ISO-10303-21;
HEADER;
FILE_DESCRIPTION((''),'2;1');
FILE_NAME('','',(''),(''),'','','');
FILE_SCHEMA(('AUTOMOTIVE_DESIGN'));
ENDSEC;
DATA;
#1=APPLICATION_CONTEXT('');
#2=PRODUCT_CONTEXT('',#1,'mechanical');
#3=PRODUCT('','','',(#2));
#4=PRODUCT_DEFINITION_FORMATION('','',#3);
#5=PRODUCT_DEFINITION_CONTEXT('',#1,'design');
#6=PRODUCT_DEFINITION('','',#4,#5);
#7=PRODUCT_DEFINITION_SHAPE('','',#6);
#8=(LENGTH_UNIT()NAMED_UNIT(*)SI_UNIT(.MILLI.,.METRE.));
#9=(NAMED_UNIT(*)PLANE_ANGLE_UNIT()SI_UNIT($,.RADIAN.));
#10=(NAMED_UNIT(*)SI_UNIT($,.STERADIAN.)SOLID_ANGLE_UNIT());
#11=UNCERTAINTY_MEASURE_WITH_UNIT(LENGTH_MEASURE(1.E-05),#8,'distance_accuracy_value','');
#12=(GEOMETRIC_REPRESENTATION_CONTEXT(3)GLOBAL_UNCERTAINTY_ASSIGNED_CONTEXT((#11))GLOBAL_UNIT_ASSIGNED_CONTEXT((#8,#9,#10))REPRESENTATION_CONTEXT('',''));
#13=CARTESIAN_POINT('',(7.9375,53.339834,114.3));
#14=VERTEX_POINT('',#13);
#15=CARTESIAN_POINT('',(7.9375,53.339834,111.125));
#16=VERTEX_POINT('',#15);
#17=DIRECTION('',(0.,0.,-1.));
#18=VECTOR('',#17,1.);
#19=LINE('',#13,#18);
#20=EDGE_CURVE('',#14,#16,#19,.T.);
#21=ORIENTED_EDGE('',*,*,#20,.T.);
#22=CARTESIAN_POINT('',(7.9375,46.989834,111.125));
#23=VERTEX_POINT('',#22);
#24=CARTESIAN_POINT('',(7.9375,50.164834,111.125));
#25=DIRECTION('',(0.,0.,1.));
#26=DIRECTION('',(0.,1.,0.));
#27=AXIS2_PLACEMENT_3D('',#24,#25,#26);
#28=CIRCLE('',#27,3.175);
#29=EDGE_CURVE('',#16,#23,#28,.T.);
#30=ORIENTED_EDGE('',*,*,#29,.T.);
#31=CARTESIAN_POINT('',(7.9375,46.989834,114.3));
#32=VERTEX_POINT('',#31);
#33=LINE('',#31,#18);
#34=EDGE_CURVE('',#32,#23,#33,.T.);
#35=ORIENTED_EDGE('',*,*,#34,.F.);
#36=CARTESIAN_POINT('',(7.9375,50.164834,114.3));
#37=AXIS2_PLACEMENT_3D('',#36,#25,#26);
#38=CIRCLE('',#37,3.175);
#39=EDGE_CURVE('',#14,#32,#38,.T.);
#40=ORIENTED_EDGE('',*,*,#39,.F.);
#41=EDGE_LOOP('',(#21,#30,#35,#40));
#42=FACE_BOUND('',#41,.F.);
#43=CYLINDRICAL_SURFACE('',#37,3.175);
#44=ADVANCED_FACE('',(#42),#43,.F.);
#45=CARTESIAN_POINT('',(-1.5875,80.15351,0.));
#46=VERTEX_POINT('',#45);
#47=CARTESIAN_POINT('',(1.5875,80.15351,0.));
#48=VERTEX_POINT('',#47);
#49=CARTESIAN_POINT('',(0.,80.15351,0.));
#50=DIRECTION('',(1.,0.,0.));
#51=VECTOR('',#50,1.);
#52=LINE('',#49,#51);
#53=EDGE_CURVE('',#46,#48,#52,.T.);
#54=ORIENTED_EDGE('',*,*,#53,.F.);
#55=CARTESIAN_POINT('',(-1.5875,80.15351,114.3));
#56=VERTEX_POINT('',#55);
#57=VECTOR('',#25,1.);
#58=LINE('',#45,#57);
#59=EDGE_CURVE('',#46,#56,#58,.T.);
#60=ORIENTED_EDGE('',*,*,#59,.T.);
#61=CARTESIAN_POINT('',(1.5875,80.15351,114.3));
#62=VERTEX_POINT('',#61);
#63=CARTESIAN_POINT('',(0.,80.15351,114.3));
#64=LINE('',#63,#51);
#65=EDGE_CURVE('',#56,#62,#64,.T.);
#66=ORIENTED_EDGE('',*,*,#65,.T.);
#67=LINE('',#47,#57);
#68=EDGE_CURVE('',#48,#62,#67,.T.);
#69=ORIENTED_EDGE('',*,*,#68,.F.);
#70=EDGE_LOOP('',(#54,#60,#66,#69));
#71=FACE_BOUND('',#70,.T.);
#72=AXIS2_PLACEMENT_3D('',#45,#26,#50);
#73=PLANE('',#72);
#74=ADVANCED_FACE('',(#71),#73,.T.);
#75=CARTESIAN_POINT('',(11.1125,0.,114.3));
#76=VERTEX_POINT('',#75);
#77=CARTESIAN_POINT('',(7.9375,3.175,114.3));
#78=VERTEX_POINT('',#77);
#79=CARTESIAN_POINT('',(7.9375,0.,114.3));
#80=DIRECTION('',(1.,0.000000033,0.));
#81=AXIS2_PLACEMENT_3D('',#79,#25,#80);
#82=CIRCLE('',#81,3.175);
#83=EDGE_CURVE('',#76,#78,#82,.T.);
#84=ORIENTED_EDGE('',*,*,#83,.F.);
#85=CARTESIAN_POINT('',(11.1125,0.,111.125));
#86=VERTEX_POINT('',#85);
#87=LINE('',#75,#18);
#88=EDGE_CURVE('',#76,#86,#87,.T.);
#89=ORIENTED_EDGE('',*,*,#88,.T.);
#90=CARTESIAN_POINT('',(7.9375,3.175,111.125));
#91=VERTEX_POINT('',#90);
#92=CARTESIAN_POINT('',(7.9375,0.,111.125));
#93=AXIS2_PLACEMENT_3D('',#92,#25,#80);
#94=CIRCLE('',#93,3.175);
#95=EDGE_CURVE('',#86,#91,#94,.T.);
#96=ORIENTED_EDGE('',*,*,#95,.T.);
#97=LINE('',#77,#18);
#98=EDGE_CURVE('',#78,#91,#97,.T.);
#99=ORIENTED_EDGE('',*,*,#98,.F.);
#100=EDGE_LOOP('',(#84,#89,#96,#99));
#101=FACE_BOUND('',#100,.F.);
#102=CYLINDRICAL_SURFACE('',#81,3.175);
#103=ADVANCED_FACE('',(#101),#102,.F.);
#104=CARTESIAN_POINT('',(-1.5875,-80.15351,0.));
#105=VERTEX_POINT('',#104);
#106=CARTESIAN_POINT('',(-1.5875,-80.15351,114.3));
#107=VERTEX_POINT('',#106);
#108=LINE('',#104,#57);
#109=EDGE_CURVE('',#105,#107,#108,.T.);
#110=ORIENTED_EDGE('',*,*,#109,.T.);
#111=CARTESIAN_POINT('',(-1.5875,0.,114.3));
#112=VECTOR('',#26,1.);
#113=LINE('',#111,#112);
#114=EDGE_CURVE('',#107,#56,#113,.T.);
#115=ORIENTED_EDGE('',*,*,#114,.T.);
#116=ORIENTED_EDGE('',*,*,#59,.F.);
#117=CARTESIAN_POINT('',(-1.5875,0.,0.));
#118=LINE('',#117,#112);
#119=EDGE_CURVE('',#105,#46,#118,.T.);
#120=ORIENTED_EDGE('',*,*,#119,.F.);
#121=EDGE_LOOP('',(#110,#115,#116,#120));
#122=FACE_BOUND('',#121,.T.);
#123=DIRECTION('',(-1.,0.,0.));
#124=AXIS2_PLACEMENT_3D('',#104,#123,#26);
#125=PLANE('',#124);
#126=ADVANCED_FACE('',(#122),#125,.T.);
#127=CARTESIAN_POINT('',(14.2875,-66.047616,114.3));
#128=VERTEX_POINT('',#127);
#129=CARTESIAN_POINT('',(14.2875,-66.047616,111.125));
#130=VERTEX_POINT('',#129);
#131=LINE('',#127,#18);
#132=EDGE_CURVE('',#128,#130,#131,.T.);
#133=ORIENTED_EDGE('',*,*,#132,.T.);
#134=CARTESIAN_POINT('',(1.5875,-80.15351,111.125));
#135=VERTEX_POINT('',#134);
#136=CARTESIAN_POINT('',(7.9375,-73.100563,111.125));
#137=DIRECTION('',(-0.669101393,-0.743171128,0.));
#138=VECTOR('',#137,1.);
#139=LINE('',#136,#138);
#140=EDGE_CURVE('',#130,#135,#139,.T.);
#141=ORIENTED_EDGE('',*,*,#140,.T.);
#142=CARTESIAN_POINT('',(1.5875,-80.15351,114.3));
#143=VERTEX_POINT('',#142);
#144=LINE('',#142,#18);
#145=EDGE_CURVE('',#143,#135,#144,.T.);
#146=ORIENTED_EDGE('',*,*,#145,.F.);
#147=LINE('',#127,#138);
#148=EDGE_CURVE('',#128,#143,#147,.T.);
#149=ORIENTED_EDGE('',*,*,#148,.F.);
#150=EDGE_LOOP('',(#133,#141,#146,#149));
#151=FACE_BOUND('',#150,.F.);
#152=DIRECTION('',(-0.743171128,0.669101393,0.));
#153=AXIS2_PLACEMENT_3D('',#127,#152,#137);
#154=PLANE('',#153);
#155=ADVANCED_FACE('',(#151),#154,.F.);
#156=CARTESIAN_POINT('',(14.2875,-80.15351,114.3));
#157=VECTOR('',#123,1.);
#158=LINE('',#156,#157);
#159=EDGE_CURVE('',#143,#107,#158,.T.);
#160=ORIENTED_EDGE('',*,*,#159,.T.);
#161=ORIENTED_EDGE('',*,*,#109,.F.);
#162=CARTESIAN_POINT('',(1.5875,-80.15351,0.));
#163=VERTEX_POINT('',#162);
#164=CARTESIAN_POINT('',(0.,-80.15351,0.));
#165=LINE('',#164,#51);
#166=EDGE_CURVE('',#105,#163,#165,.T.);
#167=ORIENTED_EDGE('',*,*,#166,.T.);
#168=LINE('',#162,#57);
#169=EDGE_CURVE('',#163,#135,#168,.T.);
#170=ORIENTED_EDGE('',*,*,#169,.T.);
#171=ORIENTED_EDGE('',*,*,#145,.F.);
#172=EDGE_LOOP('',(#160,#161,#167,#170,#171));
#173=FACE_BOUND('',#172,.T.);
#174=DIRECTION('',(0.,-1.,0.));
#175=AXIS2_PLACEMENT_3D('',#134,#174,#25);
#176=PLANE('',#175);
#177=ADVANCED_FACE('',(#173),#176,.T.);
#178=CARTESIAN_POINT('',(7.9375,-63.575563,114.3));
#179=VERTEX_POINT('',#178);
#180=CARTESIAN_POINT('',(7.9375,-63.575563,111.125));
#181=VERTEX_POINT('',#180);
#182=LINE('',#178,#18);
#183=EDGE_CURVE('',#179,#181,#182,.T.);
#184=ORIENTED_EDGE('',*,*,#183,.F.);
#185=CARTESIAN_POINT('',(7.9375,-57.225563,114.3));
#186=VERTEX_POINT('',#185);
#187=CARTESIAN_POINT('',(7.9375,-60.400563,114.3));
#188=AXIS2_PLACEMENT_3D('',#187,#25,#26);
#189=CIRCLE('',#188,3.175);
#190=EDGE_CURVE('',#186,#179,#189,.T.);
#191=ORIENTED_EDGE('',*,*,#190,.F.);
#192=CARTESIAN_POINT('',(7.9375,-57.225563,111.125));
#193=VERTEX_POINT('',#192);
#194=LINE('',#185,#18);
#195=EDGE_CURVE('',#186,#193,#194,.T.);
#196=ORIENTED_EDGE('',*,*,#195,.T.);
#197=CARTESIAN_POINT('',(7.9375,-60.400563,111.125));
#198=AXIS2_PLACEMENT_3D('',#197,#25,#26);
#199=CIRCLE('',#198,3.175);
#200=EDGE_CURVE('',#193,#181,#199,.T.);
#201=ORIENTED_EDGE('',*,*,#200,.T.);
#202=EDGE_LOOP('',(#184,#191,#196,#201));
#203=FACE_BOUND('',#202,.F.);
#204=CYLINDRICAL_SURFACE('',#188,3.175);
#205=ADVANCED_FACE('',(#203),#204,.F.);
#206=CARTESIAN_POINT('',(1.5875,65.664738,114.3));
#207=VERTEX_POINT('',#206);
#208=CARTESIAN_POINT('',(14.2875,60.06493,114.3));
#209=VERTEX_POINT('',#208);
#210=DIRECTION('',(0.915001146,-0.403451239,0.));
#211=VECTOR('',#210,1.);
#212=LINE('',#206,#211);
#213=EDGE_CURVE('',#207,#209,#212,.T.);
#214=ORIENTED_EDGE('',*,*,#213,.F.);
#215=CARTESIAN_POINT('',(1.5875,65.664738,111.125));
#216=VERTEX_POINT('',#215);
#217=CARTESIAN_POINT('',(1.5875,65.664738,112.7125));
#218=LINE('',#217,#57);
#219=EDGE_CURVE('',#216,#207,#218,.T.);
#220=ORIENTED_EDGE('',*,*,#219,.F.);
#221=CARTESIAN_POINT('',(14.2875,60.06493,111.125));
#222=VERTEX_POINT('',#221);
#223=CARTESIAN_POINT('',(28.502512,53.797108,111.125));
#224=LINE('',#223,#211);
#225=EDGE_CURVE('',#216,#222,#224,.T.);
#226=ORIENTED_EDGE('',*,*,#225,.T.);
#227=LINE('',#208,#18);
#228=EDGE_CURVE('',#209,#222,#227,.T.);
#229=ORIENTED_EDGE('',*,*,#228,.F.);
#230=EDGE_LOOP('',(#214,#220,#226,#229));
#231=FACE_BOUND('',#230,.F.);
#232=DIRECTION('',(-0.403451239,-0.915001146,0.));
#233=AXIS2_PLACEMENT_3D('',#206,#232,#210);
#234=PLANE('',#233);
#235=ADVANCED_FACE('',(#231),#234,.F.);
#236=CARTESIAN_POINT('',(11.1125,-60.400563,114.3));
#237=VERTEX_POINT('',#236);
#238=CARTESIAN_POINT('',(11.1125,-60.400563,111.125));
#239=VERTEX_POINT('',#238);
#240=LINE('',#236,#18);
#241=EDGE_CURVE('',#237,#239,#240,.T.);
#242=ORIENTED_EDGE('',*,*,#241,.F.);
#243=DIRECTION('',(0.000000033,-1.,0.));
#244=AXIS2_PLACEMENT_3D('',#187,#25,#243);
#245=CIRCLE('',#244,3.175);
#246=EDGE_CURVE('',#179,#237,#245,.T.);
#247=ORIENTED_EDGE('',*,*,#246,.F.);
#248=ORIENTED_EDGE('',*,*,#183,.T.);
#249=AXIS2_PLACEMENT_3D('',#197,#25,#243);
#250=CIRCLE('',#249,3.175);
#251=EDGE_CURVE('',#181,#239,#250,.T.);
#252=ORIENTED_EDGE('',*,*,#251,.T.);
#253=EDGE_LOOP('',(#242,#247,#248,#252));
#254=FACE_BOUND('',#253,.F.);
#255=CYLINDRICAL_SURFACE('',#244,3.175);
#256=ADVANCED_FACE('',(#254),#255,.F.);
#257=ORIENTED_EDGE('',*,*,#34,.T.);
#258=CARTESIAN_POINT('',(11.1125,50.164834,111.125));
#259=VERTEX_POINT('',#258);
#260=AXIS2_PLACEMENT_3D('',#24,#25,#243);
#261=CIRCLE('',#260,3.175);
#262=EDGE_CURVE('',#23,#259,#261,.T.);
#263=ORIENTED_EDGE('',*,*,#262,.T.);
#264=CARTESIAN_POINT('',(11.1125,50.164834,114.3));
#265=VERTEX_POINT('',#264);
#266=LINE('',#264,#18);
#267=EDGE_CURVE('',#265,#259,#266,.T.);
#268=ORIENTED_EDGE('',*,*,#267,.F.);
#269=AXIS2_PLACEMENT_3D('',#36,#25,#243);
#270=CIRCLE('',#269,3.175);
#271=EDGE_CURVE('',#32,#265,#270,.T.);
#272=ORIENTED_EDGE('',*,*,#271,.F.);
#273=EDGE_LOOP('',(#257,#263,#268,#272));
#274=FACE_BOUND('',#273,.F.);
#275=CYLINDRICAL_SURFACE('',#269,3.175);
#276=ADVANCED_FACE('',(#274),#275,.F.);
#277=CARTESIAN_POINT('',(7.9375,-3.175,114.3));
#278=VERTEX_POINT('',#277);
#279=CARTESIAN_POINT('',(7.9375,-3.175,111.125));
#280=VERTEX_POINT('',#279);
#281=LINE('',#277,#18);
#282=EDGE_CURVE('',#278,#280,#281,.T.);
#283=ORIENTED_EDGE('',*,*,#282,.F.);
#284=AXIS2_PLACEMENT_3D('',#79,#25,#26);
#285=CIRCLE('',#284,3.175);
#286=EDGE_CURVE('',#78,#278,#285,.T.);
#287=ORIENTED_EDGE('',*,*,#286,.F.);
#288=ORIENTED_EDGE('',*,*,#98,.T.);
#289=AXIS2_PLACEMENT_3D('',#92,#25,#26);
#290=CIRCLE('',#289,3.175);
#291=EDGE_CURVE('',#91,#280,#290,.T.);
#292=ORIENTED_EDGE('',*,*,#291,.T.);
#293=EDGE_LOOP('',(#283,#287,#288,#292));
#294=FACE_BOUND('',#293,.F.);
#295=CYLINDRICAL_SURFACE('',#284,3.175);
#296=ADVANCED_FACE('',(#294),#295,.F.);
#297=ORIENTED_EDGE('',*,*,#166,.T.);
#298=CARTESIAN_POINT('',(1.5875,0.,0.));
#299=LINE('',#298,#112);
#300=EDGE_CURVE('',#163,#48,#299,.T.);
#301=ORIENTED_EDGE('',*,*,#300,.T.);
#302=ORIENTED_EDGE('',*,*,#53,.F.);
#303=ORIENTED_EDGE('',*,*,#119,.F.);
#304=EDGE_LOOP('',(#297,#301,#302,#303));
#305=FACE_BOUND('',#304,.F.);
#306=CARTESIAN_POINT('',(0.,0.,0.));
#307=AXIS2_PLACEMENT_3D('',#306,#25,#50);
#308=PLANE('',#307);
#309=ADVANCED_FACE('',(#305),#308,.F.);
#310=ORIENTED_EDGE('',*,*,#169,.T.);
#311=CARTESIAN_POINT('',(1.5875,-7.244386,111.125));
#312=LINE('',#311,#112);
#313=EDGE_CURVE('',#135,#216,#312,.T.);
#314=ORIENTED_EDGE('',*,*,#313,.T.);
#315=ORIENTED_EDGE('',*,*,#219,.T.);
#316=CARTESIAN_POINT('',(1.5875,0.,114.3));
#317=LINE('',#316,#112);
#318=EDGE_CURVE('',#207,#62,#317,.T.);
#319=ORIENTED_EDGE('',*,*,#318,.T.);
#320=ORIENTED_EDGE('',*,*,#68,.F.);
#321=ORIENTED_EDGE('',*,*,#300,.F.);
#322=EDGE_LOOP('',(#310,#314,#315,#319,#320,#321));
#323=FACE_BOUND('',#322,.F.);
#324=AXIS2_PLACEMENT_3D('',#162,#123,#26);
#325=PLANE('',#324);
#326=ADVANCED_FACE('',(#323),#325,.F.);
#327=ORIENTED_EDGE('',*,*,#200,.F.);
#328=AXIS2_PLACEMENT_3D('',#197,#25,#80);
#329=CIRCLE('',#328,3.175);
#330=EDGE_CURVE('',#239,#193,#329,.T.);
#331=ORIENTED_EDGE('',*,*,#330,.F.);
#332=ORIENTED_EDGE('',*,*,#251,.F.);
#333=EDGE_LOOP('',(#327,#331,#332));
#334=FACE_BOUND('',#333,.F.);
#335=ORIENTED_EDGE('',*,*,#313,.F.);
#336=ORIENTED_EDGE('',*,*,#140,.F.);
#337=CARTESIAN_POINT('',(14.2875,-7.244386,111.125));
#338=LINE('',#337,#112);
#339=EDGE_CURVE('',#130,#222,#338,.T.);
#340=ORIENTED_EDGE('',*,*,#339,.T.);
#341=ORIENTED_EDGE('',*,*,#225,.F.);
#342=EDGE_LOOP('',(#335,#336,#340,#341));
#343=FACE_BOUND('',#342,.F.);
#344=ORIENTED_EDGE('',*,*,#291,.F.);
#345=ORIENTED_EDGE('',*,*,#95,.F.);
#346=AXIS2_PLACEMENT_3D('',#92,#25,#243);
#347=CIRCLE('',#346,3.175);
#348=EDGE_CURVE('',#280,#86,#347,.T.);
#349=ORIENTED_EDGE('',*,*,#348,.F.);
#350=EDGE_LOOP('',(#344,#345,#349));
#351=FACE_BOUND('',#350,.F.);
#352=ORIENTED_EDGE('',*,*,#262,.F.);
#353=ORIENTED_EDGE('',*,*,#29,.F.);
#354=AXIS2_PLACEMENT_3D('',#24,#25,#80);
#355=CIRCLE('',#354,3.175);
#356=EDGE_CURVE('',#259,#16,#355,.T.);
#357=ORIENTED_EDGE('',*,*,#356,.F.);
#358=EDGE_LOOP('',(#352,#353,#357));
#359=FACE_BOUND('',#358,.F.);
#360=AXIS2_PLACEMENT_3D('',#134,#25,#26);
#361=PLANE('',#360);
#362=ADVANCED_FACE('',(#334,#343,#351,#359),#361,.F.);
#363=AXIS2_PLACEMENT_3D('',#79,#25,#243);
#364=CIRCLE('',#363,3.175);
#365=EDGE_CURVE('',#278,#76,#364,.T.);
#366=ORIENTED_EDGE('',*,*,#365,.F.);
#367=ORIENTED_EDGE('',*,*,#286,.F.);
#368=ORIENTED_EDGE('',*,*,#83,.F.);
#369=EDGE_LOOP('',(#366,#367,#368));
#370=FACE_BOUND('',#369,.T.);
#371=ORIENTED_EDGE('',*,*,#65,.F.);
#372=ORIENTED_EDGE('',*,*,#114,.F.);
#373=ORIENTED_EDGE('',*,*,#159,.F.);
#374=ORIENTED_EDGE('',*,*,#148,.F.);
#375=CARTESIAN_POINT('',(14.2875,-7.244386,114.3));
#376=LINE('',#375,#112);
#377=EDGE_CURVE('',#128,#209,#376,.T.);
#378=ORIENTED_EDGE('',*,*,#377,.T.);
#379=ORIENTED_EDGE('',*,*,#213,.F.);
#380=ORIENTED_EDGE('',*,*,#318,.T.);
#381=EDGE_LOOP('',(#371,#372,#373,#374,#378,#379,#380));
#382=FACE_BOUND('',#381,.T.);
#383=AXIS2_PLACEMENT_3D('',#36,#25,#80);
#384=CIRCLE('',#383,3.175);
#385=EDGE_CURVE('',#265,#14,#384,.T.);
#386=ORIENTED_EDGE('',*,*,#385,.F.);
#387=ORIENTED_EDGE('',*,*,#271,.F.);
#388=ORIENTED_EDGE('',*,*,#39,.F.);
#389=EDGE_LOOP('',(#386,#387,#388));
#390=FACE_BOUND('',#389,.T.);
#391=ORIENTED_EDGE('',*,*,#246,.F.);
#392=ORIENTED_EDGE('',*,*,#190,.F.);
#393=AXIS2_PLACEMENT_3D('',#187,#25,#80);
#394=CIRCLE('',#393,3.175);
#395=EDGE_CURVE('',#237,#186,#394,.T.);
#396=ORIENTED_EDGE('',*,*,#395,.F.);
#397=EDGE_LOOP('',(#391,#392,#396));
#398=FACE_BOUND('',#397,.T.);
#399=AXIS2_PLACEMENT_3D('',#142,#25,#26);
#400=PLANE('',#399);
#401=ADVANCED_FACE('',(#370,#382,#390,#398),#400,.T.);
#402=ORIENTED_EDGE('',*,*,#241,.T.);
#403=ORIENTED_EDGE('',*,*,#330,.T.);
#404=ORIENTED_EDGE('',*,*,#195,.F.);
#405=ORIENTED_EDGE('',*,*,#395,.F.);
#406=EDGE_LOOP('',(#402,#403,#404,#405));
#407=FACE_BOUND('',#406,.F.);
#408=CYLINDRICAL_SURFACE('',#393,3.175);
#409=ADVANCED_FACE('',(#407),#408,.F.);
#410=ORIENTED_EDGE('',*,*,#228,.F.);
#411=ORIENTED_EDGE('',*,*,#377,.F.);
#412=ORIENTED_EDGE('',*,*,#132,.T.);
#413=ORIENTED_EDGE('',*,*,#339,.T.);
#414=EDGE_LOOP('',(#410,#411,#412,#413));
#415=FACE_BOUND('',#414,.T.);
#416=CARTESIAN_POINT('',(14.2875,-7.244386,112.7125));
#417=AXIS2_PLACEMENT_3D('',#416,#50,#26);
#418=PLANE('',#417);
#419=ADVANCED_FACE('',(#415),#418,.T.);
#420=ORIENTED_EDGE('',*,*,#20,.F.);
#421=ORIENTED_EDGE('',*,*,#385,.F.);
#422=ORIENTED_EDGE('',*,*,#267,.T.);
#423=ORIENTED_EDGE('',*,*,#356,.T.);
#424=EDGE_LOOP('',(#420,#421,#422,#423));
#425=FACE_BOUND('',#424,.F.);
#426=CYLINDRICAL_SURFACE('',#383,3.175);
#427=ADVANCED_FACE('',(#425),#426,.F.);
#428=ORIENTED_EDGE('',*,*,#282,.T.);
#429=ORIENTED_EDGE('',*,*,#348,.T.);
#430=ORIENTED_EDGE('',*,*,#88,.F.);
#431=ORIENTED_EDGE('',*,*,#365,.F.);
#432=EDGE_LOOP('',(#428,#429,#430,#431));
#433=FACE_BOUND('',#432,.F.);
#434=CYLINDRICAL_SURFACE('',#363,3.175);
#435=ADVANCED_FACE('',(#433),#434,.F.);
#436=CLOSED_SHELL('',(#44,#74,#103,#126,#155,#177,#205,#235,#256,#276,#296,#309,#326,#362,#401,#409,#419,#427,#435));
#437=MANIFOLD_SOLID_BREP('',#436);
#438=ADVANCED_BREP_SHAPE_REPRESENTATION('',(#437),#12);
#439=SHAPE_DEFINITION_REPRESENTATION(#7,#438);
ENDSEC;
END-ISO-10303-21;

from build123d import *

# Parameters (mm, degrees)
F0_W     = 3.175
F0_H     = 160.30702
F1_DEPTH = 114.3
F2_W     = 145.818248
F2_H     = 3.175
F3_DEPTH = 12.7
F5_DEPTH = 25.4
F7_DEPTH = 25.4


with BuildPart() as f1:
    # F0 (on Top) → F1 (new body)
    with BuildSketch(Plane.XY):
        Rectangle(F0_W, F0_H)
    extrude(amount=F1_DEPTH)

    # F2 (on face) → F3 (join)
    with BuildSketch(Plane.YZ.offset(1.5875)):
        with Locations((-7.244386, 112.7125)):
            Rectangle(F2_W, F2_H)
    extrude(amount=F3_DEPTH)

    # F4 (on face) → F5 (cut)
    with BuildSketch(Plane.XY.offset(114.3)):
        Polygon((14.2875, 65.664738), (1.5875, 65.664738), (14.2875, 60.06493), align=None)
        Polygon((1.5875, -80.15351), (14.2875, -80.15351), (14.2875, -66.047616), align=None)
    extrude(amount=-F5_DEPTH, mode=Mode.SUBTRACT)

    # F6 (on face) → F7 (cut)
    with BuildSketch(Plane.XY.offset(114.3)):
        with BuildLine():
            ThreePointArc((11.1125, 50.164834), (10.182564, 52.409898), (7.9375, 53.339834))
            Line((7.9375, 53.339834), (7.9375, 46.989834))
            ThreePointArc((7.9375, 46.989834), (10.182564, 47.91977), (11.1125, 50.164834))
        make_face()
        with BuildLine():
            ThreePointArc((11.1125, -60.400563), (10.182564, -58.155499), (7.9375, -57.225563))
            Line((7.9375, -57.225563), (7.9375, -63.575563))
            ThreePointArc((7.9375, -63.575563), (10.182564, -62.645627), (11.1125, -60.400563))
        make_face()
        with BuildLine():
            Line((7.9375, -63.575563), (7.9375, -57.225563))
            ThreePointArc((7.9375, -57.225563), (4.7625, -60.400563), (7.9375, -63.575563))
        make_face()
        with BuildLine():
            ThreePointArc((11.1125, 0), (10.182564, 2.245064), (7.9375, 3.175))
            Line((7.9375, 3.175), (7.9375, -3.175))
            ThreePointArc((7.9375, -3.175), (10.182564, -2.245064), (11.1125, 0))
        make_face()
        with BuildLine():
            Line((7.9375, -3.175), (7.9375, 3.175))
            ThreePointArc((7.9375, 3.175), (4.7625, 0), (7.9375, -3.175))
        make_face()
        with BuildLine():
            Line((7.9375, 46.989834), (7.9375, 53.339834))
            ThreePointArc((7.9375, 53.339834), (4.7625, 50.164834), (7.9375, 46.989834))
        make_face()
    extrude(amount=-F7_DEPTH, mode=Mode.SUBTRACT)


solid = f1.part
